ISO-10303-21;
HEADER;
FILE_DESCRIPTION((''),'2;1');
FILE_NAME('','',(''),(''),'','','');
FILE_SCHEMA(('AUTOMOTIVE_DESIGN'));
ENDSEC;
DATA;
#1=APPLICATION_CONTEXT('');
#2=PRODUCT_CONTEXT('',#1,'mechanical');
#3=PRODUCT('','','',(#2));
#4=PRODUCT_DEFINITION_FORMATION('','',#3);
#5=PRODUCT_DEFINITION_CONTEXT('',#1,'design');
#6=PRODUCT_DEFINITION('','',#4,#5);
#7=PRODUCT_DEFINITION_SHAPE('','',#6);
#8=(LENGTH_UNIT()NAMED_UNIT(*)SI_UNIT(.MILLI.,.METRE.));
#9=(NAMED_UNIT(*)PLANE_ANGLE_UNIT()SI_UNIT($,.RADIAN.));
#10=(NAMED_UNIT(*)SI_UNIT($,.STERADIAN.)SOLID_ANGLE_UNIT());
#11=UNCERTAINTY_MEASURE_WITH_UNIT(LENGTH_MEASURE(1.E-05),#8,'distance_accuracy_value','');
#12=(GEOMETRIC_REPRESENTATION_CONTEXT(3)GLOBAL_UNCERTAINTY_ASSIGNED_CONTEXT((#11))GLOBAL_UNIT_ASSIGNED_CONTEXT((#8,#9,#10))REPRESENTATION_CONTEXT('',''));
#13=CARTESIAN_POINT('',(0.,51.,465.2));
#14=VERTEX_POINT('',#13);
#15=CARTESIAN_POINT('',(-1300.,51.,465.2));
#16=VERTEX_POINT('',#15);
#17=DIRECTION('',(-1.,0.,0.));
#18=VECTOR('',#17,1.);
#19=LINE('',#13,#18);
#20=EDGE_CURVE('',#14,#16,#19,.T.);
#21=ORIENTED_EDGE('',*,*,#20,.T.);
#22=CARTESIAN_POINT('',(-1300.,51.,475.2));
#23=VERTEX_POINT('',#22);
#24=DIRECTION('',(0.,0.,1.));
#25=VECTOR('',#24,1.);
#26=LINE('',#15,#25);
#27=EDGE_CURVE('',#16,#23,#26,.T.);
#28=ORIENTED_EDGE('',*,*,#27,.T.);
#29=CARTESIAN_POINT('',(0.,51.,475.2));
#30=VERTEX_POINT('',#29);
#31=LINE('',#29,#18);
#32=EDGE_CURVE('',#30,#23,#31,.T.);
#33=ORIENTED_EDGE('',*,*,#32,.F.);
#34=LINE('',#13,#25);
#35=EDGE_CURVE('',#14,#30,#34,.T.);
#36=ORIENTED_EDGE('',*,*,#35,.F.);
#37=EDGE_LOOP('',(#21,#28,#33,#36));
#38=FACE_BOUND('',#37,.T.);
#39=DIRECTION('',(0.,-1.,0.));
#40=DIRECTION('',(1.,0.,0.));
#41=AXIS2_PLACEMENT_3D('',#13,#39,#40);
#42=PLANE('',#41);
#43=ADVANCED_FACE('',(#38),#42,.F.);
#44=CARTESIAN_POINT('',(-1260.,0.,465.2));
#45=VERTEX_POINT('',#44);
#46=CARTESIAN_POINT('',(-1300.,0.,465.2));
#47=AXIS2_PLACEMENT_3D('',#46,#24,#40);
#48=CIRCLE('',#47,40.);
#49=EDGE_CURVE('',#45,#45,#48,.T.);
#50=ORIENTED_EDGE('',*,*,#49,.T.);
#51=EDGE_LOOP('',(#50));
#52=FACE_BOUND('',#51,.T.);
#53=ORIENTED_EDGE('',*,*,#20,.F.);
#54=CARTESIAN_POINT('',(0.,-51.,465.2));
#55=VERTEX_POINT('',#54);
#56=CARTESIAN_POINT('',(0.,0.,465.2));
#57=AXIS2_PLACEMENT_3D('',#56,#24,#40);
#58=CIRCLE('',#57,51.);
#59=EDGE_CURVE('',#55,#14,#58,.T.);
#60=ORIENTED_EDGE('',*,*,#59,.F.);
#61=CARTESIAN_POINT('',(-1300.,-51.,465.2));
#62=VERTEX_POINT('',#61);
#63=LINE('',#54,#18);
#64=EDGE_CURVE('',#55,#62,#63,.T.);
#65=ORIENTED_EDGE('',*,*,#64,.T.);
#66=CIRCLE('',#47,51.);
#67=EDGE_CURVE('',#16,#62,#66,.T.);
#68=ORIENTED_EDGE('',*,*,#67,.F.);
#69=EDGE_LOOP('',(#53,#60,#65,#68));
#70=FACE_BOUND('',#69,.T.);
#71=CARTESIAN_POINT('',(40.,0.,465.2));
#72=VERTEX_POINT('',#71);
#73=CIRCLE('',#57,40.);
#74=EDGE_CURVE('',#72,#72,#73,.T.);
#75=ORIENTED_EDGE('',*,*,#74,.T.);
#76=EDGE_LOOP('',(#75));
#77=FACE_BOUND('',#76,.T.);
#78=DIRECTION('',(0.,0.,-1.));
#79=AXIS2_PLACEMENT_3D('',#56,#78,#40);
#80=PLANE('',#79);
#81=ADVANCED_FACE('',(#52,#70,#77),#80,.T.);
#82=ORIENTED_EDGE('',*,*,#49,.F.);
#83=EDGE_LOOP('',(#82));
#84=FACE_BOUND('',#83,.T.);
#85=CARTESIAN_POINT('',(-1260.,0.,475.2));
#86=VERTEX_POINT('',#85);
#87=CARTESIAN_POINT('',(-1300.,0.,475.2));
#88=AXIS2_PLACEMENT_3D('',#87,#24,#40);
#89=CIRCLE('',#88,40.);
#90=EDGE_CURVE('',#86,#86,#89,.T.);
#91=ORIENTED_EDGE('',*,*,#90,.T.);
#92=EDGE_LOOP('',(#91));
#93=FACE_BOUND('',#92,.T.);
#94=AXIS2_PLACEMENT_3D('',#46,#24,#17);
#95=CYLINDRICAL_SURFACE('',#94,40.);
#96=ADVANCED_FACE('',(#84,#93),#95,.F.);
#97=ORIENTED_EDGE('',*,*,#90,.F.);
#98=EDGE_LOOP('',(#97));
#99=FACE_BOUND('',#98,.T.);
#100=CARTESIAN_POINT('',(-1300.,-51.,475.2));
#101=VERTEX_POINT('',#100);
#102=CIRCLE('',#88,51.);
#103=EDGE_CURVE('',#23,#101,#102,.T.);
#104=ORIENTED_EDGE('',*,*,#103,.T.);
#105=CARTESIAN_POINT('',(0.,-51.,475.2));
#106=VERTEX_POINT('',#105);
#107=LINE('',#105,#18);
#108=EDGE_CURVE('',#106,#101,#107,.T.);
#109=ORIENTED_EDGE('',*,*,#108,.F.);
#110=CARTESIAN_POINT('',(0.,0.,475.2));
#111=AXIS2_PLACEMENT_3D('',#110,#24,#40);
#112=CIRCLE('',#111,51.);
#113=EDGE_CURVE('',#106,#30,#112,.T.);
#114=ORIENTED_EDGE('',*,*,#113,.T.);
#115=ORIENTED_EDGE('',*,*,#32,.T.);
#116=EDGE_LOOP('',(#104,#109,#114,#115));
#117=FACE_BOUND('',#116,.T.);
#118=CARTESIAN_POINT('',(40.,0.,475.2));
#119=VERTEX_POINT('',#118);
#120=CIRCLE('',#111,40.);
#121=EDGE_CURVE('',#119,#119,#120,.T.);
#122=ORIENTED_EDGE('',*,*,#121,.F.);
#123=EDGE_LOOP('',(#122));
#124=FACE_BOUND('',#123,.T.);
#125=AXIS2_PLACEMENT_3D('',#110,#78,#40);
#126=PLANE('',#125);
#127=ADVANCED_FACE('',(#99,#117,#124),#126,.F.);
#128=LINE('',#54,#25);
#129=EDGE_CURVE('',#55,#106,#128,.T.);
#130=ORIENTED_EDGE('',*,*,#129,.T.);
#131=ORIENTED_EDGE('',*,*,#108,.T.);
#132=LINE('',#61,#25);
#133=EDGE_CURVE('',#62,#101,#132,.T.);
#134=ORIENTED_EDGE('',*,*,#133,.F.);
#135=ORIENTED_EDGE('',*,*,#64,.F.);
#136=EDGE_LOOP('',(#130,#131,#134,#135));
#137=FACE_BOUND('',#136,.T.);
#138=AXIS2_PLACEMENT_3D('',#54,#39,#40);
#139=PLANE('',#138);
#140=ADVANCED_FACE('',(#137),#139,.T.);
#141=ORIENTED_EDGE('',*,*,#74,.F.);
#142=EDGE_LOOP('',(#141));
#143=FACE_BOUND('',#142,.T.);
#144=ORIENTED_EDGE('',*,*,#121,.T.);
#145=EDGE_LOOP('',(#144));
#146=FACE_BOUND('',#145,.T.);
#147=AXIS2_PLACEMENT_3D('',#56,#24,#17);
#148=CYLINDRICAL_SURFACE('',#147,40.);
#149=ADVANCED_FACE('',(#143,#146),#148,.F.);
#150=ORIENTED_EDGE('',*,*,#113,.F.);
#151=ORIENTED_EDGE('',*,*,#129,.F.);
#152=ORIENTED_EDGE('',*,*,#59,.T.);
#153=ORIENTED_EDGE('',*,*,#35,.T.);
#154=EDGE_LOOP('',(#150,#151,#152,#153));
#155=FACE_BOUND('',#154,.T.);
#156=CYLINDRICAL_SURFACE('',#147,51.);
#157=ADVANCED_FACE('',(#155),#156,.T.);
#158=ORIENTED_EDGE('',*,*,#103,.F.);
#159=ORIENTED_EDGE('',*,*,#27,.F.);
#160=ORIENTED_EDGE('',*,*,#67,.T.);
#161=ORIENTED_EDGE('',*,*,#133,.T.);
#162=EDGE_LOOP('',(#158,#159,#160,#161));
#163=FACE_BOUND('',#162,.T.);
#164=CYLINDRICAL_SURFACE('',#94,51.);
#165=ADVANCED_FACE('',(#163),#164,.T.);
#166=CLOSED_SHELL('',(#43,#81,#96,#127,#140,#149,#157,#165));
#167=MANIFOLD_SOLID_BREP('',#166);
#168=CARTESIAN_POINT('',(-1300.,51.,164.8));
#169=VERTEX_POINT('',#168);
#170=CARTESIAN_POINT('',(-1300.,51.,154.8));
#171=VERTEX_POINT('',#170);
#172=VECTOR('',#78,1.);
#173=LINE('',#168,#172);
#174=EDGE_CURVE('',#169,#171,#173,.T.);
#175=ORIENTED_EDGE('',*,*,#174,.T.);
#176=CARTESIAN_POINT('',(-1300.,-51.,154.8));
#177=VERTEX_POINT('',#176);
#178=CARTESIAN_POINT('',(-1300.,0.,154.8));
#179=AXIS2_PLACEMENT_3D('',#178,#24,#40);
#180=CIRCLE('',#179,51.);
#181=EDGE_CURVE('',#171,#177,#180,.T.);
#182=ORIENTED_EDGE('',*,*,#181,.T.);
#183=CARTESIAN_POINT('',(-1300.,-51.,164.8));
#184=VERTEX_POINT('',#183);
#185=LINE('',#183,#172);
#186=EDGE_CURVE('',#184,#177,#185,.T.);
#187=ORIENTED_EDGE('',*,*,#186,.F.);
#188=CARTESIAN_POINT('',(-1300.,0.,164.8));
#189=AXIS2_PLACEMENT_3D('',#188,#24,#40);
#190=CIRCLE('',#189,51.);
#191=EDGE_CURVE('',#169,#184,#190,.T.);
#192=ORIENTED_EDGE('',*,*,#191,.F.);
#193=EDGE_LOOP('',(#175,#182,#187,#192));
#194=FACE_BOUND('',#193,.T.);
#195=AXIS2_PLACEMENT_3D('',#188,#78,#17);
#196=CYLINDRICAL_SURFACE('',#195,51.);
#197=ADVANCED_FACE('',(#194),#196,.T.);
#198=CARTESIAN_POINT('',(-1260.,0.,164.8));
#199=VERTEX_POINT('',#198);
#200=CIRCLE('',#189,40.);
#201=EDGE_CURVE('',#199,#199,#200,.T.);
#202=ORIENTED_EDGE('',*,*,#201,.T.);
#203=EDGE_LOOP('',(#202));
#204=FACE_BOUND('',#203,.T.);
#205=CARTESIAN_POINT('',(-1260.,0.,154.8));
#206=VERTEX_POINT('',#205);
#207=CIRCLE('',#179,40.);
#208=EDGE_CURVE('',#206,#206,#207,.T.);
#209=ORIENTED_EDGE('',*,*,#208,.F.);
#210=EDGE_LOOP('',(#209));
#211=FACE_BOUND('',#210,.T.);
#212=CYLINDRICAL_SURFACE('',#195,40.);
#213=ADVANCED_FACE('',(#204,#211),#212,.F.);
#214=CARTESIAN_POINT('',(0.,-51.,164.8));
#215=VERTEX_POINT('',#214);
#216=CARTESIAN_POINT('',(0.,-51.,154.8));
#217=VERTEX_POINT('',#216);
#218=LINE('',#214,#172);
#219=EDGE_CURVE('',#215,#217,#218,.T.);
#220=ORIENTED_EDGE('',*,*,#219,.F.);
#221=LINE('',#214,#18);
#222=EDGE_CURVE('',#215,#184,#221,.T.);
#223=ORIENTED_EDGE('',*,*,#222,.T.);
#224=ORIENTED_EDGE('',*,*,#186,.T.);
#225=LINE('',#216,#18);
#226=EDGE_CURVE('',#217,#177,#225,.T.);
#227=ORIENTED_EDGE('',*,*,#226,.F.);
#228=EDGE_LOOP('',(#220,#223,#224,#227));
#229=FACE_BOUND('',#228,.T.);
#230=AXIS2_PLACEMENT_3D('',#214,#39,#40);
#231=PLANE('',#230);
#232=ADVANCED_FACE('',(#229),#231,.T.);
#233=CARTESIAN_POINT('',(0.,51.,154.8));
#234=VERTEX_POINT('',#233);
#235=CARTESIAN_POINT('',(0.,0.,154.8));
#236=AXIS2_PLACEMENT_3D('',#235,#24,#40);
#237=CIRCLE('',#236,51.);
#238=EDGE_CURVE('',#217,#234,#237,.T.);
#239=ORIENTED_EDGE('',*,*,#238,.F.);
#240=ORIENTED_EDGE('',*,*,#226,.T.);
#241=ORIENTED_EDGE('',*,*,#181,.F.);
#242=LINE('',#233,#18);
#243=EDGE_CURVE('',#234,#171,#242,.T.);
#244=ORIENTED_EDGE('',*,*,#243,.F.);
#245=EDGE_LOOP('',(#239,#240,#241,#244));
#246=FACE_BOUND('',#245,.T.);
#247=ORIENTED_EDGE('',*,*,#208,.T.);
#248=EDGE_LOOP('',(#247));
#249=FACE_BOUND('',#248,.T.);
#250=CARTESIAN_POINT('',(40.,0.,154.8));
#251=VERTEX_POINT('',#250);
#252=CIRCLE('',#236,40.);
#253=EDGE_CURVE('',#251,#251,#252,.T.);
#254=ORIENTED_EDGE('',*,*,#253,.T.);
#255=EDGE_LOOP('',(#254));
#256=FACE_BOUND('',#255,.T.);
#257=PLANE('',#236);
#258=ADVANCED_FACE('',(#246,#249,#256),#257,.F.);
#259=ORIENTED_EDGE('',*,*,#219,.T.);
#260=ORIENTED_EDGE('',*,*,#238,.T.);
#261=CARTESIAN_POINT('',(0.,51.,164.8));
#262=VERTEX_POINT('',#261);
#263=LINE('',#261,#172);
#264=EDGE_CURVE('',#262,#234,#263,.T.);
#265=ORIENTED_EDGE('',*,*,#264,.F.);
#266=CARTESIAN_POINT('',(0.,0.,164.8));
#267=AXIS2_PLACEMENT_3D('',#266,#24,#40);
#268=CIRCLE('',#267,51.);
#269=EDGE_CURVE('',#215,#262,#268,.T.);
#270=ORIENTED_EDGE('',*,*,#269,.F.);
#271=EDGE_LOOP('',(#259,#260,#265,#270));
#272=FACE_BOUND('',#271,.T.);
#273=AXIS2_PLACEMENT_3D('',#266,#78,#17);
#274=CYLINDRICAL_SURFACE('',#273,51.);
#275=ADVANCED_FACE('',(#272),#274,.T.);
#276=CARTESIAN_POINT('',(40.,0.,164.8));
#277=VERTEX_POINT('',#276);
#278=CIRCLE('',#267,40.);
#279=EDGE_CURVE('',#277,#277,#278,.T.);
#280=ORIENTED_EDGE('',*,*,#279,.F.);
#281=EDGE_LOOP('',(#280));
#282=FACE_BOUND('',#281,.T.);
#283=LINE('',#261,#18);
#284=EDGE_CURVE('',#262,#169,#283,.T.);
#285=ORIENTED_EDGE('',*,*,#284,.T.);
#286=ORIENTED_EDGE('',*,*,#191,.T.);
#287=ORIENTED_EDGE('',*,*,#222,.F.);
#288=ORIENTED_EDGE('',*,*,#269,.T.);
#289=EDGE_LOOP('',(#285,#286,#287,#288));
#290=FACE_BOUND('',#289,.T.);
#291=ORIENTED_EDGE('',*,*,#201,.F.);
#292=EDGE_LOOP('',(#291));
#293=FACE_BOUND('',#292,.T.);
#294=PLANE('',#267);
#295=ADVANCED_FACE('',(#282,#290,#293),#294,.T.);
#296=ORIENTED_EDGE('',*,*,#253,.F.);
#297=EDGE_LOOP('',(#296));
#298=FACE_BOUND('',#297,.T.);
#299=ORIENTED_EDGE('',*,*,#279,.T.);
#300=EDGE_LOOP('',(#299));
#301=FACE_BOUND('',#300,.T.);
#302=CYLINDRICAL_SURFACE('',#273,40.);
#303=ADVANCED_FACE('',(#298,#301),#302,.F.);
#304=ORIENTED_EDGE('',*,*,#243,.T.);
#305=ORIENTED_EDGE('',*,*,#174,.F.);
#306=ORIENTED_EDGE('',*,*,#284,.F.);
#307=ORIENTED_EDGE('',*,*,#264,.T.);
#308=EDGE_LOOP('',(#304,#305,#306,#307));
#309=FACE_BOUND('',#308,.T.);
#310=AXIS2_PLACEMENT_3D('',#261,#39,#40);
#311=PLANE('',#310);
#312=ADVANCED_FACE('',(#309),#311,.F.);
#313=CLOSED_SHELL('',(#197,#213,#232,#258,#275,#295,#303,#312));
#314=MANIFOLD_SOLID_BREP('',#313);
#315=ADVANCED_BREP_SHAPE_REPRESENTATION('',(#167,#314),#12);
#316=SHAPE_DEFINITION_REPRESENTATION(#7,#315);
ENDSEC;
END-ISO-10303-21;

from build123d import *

# Parameters (mm, degrees)
SKETCH1_R           = 40
BOSS_EXTRUDE1_DEPTH = 10


with BuildPart() as part:
    # Sketch1 → Boss-Extrude1 (new body)
    with BuildSketch(Plane.XY):
        with BuildLine():
            Line((0, -51), (-1300, -51))
            ThreePointArc((-1300, -51), (-1351, 0), (-1300, 51))
            Line((-1300, 51), (0, 51))
            ThreePointArc((0, 51), (51, 0), (0, -51))
        make_face()
        Circle(SKETCH1_R, mode=Mode.SUBTRACT)
        with Locations((-1300, 0)):
            Circle(SKETCH1_R, mode=Mode.SUBTRACT)
    extrude(amount=BOSS_EXTRUDE1_DEPTH)


with BuildPart() as body_2:
    # Mirror5: mirrored copy
    add(part.part.mirror(Plane.XY.offset(315)))


with BuildPart() as body_2_1:
    # Move Body 1: moved
    add(body_2.part.moved(Location((0, 0, -113.8))))


with BuildPart() as part_1:
    # Move Body 2: moved
    add(part.part.moved(Location((0, 0, 113.8))))


with BuildPart() as part_2:
    # Move Body 4: moved
    add(part_1.part.moved(Location((0, 0, 41))))


with BuildPart() as body_2_2:
    # Move Body 5: moved
    add(body_2_1.part.moved(Location((0, 0, -41))))


solid = Compound([part_2.part, body_2_2.part])
